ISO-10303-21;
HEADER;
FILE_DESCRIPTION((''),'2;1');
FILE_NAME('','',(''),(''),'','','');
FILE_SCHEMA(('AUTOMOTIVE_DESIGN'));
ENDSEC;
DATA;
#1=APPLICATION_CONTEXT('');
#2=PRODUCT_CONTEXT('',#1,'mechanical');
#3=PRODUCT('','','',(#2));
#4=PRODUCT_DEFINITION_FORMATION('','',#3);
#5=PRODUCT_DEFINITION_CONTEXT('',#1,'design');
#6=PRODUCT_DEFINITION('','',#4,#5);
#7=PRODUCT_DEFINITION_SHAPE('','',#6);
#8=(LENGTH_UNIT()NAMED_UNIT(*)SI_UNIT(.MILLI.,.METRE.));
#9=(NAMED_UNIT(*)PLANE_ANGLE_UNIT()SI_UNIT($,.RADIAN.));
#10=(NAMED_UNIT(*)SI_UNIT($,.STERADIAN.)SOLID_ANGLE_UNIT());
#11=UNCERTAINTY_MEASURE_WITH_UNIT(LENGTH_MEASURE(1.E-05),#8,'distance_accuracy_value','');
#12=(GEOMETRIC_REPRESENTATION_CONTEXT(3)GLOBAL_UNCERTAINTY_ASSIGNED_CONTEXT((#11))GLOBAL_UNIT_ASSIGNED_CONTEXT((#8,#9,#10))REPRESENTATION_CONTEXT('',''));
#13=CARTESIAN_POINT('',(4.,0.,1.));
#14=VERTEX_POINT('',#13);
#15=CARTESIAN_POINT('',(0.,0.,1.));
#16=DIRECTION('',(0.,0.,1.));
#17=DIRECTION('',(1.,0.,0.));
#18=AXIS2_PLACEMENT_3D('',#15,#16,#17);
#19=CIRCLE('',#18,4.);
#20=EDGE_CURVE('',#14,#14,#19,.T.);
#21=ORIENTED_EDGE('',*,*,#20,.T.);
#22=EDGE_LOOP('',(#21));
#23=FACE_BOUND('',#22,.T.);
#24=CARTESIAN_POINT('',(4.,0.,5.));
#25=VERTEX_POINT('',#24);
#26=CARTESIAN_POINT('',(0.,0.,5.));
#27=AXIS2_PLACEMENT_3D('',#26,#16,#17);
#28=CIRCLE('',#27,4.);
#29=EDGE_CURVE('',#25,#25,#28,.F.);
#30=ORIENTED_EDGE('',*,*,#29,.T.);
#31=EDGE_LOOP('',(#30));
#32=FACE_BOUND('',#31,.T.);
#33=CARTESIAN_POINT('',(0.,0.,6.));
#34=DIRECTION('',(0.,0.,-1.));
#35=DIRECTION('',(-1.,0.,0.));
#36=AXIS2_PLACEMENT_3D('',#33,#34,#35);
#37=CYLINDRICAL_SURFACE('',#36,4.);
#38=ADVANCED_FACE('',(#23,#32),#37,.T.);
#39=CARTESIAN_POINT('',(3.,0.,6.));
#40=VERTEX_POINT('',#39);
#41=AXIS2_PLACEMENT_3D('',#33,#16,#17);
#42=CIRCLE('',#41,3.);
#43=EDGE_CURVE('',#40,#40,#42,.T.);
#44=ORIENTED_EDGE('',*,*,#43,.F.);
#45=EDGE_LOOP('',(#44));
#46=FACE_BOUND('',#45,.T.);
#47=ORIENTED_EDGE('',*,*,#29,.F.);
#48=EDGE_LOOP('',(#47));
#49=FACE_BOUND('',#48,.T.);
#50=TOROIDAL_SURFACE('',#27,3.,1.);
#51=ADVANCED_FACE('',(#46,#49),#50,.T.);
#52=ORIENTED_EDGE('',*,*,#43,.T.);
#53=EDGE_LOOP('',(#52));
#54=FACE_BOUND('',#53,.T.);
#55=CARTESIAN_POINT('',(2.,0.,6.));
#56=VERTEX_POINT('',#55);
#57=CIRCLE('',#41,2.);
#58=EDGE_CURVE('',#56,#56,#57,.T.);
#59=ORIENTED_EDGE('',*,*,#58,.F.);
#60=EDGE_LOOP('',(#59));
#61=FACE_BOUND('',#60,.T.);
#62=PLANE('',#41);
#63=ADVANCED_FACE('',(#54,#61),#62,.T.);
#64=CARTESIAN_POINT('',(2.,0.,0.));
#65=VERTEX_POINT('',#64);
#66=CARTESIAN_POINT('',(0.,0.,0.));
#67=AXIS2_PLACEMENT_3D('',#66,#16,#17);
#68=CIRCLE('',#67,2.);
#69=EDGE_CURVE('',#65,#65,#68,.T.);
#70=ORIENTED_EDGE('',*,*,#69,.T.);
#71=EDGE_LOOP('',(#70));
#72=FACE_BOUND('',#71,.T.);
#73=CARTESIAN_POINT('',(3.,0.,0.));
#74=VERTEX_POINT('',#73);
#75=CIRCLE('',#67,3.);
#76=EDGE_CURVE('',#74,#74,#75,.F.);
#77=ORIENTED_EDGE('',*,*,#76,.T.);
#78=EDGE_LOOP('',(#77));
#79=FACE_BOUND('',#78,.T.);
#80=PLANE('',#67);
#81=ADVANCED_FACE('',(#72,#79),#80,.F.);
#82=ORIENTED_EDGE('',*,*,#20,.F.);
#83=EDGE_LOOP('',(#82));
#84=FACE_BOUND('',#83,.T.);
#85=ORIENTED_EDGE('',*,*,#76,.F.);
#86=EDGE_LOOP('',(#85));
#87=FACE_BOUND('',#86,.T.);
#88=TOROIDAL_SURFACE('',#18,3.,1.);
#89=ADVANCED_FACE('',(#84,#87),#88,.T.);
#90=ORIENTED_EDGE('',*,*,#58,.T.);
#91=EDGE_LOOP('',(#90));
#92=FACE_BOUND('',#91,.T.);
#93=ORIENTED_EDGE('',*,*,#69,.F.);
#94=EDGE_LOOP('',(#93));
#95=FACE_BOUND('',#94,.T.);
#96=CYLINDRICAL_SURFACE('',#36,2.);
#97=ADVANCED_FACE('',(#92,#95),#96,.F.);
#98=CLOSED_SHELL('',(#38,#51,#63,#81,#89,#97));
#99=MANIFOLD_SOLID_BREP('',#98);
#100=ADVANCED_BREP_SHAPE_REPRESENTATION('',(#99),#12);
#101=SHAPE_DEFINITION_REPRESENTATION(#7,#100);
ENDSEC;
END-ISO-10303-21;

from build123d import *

# Parameters (mm, degrees)
SKETCH_1_R      = 4
SKETCH_1_R_2    = 2
EXTRUDE_1_DEPTH = 6
FILLET_1_R      = 1
FILLET_2_R      = 1


with BuildPart() as part:
    # 草图1 → 凸台-拉伸1 (new body)
    with BuildSketch(Plane.XY):
        Circle(SKETCH_1_R)
        Circle(SKETCH_1_R_2, mode=Mode.SUBTRACT)
    extrude(amount=EXTRUDE_1_DEPTH)

    # 圆角1
    fillet_1_edges = [part.edges().sort_by_distance(p)[0] for p in [
        (-4, 0, 6),
    ]]
    fillet(fillet_1_edges, radius=FILLET_1_R)

    # 圆角2
    fillet_2_edges = [part.edges().sort_by_distance(p)[0] for p in [
        (-4, 0, 0),
    ]]
    fillet(fillet_2_edges, radius=FILLET_2_R)


solid = part.part
